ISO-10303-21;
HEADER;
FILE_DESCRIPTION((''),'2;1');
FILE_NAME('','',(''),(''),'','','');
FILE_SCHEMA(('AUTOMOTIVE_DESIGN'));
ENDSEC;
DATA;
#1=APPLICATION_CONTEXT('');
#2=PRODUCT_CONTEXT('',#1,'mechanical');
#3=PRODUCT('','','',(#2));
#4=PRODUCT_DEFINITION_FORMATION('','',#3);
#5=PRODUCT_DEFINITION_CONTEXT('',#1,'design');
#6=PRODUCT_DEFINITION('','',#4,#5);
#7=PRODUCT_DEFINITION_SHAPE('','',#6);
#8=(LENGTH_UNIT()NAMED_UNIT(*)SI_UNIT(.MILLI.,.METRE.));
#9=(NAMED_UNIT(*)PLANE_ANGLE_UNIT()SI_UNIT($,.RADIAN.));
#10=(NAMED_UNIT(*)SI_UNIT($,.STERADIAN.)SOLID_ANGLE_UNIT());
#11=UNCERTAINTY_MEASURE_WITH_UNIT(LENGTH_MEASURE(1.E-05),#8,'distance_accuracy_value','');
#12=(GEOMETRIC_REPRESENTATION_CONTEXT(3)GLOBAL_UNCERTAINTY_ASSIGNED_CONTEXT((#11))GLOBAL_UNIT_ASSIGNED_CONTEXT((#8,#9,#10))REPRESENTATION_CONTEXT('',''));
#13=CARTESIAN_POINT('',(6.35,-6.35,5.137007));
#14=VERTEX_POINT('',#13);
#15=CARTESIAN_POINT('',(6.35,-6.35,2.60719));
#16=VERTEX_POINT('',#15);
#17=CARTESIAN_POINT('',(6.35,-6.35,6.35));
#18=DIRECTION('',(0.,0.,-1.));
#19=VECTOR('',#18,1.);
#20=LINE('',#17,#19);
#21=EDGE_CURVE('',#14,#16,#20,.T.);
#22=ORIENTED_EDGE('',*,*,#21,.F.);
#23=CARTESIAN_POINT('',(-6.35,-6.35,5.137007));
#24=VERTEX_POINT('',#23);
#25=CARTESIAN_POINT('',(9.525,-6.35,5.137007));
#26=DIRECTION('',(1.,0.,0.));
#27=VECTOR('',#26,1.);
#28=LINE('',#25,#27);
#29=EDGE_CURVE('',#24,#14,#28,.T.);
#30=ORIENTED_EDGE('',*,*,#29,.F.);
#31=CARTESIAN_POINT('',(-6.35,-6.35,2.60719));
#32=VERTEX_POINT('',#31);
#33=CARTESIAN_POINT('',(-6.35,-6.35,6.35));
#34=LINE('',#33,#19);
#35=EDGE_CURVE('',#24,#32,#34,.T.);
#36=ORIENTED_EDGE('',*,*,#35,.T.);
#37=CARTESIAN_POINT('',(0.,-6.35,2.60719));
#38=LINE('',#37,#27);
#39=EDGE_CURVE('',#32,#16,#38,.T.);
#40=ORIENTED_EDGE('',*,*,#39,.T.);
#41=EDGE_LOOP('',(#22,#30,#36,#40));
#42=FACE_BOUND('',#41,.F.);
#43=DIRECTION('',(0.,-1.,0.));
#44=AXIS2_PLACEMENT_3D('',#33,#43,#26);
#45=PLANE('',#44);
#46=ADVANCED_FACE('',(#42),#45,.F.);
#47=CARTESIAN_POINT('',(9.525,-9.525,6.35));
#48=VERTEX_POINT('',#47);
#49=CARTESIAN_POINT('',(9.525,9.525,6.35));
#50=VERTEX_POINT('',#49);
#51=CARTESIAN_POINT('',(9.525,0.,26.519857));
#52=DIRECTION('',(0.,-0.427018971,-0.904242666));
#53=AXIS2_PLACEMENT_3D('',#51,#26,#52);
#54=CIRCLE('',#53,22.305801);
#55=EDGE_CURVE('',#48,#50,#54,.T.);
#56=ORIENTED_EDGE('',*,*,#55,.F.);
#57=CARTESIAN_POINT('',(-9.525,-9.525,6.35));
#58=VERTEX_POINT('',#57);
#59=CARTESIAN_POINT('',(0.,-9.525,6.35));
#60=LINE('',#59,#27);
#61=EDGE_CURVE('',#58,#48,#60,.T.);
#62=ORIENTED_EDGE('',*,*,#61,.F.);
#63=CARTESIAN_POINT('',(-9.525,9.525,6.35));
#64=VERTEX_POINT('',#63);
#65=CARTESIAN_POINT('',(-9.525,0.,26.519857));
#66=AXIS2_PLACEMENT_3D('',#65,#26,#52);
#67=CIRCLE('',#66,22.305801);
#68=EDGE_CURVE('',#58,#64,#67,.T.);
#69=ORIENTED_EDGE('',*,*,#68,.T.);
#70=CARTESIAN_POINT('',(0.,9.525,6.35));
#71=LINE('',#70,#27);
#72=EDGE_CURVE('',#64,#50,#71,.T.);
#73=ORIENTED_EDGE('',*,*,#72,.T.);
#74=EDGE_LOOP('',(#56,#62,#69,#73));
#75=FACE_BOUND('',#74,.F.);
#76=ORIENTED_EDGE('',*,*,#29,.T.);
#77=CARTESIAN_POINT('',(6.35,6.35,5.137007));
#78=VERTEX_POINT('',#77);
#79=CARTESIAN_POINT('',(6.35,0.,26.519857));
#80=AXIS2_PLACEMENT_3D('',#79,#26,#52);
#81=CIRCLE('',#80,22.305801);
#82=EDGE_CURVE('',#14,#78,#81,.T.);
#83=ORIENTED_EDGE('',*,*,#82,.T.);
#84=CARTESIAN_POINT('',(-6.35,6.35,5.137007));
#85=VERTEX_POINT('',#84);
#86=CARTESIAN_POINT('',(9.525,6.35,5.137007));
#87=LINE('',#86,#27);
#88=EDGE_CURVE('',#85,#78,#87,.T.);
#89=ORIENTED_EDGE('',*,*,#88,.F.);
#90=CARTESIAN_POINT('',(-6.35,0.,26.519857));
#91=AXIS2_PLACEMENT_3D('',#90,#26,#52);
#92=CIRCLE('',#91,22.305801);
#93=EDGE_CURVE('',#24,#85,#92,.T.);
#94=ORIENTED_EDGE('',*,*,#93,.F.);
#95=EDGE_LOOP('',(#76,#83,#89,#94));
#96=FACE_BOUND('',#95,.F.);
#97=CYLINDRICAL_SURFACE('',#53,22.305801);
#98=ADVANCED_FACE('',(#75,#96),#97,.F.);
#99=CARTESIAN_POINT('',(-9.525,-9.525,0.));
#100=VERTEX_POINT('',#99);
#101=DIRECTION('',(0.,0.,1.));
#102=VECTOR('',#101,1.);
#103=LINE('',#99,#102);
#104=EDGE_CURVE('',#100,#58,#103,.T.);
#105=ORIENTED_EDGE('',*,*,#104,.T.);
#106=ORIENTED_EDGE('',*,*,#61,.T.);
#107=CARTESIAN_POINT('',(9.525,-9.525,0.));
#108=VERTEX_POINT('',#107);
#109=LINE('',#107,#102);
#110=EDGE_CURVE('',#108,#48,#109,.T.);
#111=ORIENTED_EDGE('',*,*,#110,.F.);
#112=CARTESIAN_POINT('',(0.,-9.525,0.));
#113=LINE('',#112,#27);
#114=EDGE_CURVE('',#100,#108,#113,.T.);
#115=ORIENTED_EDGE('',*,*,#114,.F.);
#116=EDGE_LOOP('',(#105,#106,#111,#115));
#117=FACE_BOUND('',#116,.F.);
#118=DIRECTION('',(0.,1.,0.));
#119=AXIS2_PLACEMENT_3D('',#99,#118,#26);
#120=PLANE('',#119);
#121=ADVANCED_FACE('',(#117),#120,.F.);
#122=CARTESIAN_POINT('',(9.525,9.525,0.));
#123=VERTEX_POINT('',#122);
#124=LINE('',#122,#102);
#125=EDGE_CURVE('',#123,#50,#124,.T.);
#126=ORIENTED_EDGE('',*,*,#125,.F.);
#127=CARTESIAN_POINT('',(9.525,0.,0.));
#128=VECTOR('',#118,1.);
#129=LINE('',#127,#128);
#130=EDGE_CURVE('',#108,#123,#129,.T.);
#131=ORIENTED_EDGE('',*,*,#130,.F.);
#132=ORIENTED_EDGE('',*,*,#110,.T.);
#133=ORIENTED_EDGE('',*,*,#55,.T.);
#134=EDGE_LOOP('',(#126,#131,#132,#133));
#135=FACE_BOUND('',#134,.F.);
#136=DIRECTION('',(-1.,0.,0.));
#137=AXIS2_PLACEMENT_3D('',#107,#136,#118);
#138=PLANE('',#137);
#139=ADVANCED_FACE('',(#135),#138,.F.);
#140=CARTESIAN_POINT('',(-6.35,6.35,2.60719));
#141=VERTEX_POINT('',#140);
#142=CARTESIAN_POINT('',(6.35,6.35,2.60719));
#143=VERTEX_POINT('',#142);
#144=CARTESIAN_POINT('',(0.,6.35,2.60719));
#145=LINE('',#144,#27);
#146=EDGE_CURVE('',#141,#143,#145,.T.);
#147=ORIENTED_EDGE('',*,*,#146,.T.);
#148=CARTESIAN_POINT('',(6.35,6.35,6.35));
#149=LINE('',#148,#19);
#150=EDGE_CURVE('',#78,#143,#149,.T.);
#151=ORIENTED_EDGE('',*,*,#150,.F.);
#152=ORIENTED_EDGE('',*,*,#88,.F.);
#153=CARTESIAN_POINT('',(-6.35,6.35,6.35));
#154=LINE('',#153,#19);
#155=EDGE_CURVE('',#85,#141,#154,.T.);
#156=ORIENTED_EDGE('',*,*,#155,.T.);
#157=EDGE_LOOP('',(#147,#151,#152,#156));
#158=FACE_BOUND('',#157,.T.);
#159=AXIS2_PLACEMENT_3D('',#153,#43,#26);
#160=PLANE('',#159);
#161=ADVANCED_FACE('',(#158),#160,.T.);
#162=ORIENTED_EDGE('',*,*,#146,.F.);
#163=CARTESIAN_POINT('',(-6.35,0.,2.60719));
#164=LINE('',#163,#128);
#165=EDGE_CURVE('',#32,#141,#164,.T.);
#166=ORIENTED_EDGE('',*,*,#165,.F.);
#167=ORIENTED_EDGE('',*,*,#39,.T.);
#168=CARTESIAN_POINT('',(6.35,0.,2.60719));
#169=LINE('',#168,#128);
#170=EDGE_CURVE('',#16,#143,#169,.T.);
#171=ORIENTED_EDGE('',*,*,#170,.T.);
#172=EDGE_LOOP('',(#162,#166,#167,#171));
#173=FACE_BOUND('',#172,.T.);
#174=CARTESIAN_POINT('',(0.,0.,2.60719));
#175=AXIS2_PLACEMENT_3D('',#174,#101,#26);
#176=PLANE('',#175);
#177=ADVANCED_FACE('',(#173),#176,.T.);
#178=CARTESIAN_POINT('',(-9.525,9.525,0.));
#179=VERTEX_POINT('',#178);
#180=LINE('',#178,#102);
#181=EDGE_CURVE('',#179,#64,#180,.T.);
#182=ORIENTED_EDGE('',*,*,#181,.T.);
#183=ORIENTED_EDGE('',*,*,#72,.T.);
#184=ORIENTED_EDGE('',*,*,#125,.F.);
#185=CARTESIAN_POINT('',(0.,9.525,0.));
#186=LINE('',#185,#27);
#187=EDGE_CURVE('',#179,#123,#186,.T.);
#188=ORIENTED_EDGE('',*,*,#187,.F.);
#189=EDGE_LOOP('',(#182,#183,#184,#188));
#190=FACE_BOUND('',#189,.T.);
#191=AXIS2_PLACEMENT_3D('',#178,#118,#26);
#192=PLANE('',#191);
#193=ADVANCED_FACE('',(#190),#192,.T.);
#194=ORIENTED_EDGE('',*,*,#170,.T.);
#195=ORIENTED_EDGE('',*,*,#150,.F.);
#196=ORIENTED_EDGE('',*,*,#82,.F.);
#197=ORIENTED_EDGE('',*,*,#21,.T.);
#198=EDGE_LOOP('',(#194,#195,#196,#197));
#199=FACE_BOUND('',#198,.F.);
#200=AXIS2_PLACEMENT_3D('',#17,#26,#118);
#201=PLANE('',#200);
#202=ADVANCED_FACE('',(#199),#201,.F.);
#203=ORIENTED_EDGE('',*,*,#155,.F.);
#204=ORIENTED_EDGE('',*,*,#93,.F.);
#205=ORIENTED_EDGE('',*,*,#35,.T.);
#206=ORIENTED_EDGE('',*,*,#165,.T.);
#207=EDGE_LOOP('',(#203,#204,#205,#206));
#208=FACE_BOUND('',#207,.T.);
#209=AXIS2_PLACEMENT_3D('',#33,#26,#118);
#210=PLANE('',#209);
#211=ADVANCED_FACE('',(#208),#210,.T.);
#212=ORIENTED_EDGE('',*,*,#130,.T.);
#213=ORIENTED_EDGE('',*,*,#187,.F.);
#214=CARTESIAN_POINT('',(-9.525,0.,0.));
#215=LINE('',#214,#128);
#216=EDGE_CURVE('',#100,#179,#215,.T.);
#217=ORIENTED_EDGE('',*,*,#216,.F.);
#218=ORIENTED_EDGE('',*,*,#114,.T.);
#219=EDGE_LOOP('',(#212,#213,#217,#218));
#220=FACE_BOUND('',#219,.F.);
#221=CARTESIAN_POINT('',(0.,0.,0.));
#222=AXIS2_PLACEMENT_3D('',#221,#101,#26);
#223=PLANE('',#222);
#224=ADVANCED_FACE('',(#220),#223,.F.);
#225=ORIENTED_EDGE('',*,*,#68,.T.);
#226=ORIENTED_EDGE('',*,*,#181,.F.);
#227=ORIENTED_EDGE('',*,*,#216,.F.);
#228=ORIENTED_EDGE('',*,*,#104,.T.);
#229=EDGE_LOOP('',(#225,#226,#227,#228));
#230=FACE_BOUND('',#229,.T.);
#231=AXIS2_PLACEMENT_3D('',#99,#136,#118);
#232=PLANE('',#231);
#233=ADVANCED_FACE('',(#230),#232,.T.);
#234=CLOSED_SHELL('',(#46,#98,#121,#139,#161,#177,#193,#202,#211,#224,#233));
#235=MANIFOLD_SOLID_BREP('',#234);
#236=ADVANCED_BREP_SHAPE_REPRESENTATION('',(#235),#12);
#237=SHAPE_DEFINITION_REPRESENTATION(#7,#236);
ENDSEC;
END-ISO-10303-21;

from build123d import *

# Parameters (mm, degrees)
F0_W     = 19.05
F0_H     = 19.05
F1_DEPTH = 6.35
F2_W     = 12.7
F2_H     = 12.7
F3_DEPTH = 3.74281
F5_DEPTH = 25.4


with BuildPart() as f1:
    # F0 (on Top) → F1 (new body)
    with BuildSketch(Plane.XY):
        Rectangle(F0_W, F0_H)
    extrude(amount=F1_DEPTH)

    # F2 (on face) → F3 (cut)
    with BuildSketch(Plane.XY.offset(6.35)):
        Rectangle(F2_W, F2_H)
    extrude(amount=-F3_DEPTH, mode=Mode.SUBTRACT)

    # F4 (on face) → F5 (cut)
    with BuildSketch(Plane.YZ.offset(9.525)):
        with BuildLine():
            Line((9.525, 6.35), (-9.525, 6.35))
            ThreePointArc((-9.525, 6.35), (0, 4.214056), (9.525, 6.35))
        make_face()
    extrude(amount=-F5_DEPTH, mode=Mode.SUBTRACT)


solid = f1.part
